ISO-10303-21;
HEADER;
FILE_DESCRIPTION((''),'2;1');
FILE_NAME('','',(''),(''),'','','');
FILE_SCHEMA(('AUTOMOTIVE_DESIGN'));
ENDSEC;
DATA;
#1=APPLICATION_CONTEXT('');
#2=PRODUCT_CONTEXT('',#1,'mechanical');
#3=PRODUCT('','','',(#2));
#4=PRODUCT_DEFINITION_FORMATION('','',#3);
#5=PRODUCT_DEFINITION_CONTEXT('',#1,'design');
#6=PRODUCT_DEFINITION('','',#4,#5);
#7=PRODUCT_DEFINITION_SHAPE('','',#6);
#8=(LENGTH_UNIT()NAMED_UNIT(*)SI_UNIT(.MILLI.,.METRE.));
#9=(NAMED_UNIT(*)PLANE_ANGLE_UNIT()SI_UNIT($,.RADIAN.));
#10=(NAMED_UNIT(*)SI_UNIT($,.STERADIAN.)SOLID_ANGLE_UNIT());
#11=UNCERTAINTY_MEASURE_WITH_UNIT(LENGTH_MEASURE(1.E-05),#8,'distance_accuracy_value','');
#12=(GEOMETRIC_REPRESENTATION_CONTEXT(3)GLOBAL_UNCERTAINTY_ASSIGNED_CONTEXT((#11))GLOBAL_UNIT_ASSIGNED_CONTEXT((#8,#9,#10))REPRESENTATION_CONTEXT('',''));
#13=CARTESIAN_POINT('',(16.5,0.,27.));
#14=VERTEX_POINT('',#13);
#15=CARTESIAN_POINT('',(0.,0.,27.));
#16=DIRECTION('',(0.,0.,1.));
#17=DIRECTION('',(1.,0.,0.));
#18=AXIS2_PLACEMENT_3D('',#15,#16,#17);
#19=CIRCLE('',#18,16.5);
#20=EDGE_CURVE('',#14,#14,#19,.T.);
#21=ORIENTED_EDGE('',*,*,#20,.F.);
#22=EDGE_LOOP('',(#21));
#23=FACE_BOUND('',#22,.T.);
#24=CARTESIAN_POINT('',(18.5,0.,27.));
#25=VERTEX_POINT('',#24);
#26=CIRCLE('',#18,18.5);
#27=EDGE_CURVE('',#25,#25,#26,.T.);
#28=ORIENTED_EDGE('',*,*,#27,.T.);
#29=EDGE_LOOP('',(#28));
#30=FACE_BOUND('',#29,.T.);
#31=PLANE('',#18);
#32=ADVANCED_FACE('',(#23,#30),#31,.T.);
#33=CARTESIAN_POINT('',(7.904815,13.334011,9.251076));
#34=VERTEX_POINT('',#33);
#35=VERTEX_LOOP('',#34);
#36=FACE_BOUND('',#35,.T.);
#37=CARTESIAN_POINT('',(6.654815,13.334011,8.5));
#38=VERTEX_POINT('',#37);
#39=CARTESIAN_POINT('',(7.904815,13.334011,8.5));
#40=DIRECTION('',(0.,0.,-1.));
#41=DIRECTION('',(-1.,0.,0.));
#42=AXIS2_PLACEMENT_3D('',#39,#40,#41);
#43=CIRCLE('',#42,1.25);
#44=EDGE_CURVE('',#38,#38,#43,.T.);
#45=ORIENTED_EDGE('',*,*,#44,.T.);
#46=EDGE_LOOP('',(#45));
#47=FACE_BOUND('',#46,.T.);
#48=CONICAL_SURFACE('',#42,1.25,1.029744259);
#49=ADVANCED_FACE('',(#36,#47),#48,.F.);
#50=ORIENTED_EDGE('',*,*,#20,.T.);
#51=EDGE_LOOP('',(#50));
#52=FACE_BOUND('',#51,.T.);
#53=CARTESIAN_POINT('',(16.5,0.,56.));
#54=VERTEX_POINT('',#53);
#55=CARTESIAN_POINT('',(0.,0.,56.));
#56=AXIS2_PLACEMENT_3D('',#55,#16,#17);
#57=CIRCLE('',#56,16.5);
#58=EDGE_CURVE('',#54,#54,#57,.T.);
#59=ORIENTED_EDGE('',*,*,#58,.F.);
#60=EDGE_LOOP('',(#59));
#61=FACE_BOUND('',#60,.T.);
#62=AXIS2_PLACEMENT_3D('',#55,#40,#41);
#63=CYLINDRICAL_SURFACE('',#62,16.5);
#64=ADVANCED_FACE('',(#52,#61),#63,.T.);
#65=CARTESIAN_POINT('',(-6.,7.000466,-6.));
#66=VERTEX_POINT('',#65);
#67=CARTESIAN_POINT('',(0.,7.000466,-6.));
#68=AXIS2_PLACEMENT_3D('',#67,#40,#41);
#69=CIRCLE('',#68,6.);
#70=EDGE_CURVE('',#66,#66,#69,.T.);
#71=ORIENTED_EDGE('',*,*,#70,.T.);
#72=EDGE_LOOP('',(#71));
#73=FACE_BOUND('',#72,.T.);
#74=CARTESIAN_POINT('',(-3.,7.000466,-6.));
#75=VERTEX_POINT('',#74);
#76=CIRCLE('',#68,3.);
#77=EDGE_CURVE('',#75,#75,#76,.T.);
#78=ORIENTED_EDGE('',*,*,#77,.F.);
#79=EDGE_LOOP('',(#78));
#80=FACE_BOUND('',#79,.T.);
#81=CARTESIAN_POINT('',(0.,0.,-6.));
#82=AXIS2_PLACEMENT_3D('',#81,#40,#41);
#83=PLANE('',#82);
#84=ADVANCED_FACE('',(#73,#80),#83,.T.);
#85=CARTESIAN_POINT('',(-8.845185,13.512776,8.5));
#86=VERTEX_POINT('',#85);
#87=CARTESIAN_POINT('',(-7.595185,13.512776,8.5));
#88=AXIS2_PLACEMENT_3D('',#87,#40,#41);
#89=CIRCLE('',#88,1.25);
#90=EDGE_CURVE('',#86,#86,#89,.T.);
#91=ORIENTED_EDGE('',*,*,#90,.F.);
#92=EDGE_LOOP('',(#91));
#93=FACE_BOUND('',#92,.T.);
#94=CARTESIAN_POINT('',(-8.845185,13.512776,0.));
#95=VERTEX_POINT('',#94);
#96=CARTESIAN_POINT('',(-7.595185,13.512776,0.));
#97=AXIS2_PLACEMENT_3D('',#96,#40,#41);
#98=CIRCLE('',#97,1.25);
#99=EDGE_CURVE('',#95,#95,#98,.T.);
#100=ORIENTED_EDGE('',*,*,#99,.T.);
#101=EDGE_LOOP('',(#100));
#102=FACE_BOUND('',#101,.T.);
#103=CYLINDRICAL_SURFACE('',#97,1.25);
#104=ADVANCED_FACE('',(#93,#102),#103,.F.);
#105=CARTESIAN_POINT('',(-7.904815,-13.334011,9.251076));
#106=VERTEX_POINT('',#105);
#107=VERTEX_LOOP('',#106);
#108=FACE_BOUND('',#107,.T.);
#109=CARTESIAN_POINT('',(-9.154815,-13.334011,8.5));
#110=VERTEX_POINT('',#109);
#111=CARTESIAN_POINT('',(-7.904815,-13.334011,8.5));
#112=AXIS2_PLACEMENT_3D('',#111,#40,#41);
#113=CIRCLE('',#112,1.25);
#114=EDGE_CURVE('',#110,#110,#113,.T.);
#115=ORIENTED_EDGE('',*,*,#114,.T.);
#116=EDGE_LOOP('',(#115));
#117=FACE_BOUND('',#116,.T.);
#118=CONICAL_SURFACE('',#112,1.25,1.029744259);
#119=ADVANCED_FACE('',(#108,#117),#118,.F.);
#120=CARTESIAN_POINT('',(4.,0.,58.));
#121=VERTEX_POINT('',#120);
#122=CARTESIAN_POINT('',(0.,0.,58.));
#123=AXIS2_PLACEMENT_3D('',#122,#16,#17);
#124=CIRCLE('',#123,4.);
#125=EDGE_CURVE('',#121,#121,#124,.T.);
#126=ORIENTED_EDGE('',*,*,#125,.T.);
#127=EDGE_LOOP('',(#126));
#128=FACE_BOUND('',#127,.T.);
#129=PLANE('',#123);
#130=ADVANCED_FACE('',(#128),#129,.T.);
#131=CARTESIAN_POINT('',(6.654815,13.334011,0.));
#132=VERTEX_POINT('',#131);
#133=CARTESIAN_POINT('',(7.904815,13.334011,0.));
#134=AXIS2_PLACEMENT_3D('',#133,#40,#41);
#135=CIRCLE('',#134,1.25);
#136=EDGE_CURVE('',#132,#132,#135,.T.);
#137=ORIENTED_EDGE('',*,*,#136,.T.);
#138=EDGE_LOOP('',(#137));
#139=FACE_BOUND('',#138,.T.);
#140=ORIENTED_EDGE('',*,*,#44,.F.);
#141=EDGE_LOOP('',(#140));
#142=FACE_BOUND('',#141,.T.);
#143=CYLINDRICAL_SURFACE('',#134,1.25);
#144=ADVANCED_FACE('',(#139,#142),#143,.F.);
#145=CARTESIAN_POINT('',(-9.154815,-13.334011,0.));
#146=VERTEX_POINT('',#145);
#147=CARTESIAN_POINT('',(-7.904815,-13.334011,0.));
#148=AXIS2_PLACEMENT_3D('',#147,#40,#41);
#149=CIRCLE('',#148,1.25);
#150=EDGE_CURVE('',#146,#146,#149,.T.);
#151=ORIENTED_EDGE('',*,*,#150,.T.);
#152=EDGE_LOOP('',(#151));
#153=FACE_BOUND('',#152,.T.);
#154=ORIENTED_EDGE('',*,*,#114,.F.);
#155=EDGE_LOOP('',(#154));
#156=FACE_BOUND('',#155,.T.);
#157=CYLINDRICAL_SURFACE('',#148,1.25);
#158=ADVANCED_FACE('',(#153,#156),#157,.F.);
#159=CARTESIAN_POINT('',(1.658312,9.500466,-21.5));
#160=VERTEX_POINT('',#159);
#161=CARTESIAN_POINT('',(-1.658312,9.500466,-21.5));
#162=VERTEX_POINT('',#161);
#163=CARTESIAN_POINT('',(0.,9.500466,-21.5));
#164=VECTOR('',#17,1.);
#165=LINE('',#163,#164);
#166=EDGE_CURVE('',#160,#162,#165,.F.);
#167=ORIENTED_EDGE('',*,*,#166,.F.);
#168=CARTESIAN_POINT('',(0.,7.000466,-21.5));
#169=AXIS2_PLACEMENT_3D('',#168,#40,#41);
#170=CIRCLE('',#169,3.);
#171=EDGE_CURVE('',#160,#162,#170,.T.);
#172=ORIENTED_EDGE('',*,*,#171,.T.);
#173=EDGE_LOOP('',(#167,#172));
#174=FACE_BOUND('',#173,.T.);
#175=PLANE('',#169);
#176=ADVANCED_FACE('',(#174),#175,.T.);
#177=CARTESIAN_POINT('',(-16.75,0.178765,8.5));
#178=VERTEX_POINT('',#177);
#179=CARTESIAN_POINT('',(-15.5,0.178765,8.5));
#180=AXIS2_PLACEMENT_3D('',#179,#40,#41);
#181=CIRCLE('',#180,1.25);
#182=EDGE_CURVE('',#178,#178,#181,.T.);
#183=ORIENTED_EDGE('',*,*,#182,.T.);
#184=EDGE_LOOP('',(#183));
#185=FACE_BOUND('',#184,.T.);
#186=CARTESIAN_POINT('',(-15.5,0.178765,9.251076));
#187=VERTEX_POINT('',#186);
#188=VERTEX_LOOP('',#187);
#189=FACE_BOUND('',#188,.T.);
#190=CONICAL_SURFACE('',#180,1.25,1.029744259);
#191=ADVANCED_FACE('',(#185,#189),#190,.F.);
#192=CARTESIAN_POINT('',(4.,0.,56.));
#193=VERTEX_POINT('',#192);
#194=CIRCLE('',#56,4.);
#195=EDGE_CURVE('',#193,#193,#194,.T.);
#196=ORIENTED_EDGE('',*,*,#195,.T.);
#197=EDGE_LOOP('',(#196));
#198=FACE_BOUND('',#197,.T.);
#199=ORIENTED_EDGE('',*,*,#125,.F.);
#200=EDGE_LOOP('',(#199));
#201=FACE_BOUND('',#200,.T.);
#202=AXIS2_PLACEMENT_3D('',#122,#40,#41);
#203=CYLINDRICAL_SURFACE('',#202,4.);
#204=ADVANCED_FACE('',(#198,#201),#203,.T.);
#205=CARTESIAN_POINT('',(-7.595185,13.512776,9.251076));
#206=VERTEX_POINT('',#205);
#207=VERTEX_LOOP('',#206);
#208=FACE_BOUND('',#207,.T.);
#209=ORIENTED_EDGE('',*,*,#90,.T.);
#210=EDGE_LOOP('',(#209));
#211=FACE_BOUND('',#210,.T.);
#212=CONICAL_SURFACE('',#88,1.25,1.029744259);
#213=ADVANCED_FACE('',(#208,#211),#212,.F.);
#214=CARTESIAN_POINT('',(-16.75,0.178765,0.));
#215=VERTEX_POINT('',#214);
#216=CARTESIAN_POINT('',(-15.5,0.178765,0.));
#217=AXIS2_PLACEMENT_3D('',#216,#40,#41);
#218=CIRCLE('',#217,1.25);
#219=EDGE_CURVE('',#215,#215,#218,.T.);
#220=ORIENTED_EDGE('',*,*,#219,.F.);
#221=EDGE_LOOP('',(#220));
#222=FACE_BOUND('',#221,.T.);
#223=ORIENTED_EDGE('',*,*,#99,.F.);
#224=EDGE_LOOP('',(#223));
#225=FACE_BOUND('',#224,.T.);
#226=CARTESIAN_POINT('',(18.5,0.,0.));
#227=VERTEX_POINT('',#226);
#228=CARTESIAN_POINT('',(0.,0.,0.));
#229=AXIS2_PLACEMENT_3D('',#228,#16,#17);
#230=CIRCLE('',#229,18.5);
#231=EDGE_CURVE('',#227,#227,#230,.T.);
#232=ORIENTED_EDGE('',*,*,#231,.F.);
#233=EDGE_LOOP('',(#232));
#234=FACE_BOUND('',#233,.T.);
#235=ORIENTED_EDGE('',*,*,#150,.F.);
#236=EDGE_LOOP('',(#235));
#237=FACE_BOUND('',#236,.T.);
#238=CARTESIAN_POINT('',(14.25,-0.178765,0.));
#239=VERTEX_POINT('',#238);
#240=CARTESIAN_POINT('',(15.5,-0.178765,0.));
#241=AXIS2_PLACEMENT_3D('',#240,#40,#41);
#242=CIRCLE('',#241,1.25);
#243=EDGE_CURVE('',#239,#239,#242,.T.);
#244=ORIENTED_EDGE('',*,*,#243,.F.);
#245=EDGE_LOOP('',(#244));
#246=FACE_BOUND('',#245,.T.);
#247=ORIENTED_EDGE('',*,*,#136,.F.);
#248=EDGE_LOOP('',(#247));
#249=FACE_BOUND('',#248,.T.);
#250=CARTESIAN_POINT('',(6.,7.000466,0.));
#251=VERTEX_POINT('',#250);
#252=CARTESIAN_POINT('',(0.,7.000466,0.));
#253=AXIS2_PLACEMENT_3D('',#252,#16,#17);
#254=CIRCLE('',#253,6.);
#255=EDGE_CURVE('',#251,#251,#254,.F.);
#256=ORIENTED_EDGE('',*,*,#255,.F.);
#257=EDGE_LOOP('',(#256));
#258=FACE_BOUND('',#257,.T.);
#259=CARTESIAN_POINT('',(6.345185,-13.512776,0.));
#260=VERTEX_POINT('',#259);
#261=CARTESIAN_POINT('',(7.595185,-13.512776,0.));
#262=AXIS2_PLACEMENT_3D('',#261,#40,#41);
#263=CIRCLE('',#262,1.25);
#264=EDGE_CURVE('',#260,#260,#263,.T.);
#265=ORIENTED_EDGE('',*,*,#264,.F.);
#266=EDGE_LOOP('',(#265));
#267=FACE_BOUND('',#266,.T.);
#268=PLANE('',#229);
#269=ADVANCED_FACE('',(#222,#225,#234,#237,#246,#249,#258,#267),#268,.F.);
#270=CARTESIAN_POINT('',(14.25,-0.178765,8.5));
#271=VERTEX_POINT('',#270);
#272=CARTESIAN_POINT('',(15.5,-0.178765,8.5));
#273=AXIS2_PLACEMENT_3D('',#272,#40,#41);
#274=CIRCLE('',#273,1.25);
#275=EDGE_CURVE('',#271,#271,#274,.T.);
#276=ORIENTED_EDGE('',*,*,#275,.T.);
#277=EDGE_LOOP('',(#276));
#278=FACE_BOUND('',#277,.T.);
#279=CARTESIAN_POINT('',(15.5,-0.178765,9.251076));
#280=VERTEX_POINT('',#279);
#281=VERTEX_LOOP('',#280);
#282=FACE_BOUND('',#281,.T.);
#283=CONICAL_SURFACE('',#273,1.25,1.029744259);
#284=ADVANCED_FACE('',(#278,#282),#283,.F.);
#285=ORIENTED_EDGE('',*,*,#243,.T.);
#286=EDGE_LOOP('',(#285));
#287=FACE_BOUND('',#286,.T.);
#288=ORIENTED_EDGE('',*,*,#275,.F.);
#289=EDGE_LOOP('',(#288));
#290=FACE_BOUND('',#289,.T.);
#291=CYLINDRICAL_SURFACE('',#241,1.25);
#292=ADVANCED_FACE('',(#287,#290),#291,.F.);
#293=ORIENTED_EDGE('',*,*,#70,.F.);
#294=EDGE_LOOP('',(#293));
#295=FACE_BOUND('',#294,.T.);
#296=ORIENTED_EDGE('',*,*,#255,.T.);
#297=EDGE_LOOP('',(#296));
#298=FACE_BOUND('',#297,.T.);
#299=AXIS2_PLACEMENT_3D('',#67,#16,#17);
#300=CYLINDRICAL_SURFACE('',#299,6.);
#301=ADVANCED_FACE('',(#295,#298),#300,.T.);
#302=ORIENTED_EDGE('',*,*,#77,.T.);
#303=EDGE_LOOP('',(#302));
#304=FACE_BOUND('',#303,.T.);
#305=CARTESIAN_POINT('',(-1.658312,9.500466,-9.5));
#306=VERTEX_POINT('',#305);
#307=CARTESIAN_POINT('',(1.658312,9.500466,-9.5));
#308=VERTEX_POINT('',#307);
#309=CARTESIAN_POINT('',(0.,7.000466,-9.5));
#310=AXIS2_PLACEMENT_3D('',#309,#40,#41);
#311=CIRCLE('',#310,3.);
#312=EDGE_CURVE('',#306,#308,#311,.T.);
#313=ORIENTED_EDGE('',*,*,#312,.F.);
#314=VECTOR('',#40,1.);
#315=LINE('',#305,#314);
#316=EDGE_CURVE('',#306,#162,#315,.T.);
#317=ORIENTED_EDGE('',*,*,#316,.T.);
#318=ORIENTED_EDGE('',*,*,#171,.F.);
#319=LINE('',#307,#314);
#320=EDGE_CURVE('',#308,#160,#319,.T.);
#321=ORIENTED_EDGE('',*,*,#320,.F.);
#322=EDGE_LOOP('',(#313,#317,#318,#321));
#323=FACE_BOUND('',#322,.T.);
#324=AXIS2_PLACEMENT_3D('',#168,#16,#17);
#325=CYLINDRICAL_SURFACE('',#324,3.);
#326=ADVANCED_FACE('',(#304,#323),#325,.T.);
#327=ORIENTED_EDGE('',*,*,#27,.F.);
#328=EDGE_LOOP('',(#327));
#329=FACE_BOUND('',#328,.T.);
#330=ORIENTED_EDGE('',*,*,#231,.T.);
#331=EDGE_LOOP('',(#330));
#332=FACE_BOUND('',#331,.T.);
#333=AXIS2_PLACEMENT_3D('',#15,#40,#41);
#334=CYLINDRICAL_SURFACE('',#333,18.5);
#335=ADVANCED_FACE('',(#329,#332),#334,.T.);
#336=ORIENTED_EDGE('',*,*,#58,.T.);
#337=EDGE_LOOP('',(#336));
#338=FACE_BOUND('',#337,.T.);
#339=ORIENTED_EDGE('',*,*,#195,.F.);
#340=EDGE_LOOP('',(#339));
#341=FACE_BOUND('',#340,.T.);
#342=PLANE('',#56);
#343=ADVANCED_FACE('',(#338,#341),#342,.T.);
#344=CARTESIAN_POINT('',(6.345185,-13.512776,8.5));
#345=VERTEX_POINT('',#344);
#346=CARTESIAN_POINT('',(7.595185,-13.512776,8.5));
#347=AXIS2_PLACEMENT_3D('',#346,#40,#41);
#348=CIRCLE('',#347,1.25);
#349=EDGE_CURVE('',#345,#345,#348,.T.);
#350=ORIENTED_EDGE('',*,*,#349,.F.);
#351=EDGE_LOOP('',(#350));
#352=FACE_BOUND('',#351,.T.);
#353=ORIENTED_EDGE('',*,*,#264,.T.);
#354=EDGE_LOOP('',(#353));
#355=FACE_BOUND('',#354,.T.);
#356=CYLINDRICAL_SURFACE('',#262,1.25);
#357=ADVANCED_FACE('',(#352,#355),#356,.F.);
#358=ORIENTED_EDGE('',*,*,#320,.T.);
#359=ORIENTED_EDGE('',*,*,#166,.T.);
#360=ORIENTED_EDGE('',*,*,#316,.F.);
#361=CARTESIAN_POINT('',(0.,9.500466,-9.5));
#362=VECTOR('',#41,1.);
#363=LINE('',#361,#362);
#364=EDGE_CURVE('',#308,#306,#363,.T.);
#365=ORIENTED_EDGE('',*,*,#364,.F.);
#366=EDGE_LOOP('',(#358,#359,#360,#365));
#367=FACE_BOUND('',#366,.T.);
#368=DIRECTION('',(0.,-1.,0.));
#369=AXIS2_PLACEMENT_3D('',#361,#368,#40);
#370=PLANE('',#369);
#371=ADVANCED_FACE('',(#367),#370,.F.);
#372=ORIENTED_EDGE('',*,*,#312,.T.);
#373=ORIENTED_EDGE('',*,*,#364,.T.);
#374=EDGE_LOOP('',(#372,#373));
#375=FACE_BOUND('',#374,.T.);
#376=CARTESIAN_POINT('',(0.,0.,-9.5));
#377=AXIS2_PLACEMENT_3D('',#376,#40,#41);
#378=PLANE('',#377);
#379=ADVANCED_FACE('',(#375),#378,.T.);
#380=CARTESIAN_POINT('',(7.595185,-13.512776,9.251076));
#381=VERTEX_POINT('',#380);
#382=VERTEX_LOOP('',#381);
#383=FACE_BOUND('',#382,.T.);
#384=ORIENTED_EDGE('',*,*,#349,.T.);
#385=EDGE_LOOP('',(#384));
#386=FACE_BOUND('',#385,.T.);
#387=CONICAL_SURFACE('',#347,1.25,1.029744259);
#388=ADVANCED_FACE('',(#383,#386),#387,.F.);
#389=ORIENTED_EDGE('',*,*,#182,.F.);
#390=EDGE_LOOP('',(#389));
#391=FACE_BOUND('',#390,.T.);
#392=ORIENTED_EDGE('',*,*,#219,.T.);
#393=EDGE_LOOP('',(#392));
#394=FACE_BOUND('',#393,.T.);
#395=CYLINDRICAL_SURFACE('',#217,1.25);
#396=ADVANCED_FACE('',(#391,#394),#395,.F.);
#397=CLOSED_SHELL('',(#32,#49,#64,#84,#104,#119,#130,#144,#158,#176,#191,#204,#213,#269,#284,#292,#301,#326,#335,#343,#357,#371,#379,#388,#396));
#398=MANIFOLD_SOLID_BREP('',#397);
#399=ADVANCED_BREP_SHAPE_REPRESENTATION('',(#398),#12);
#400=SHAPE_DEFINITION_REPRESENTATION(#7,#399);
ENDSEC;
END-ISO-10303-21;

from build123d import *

# Parameters (mm, degrees)
SKETCH1_R               = 18.5
BOSS_EXTRUDE1_DEPTH     = 27
SKETCH2_R               = 16.5
BOSS_EXTRUDE2_DEPTH     = 29
SKETCH3_R               = 4
BOSS_EXTRUDE3_DEPTH     = 2
M3_TAPPED_HOLE1_D       = 2.5
M3_TAPPED_HOLE1_DEPTH   = 8.5
M3_TAPPED_HOLE1_TIP     = 0.751075774
SKETCH4_R               = 6
BOSS_EXTRUDE4_DEPTH     = 6
SKETCH7_R               = 3
BOSS_EXTRUDE5_DEPTH     = 15.5
CUT_EXTRUDE1_DEPTH      = 1
CUT_EXTRUDE1_DEPTH_BACK = 12


with BuildPart() as part:
    # Sketch1 → Boss-Extrude1 (new body)
    with BuildSketch(Plane.XY):
        Circle(SKETCH1_R)
    extrude(amount=BOSS_EXTRUDE1_DEPTH)

    # Sketch2 → Boss-Extrude2 (add)
    with BuildSketch(Plane.XY.offset(27)):
        Circle(SKETCH2_R)
    extrude(amount=BOSS_EXTRUDE2_DEPTH)

    # Sketch3 → Boss-Extrude3 (add)
    with BuildSketch(Plane.XY.offset(56)):
        Circle(SKETCH3_R)
    extrude(amount=BOSS_EXTRUDE3_DEPTH)

    # M3 Tapped Hole1
    with Locations(Plane(origin=(15.5, -0.178765265, 0), x_dir=(-1, 0, 0), z_dir=(0, 0, -1))):
        with Locations((0, 0), (7.59518474, 13.512776391), (23.09518474, 13.691541656), (31, 0.35753053), (23.40481526, -13.155245861), (7.90481526, -13.334011126)):
            Hole(M3_TAPPED_HOLE1_D / 2, depth=M3_TAPPED_HOLE1_DEPTH)
            with Locations((0, 0, -(M3_TAPPED_HOLE1_DEPTH + M3_TAPPED_HOLE1_TIP / 2))):  # 118° drill point
                Cone(0, M3_TAPPED_HOLE1_D / 2, M3_TAPPED_HOLE1_TIP, mode=Mode.SUBTRACT)

    # Sketch4 → Boss-Extrude4 (add)
    with BuildSketch(Plane(origin=(0, 0, 0), x_dir=(-1, 0, 0), z_dir=(0, 0, -1))):
        with Locations((0, 7.000465539)):
            Circle(SKETCH4_R)
    extrude(amount=BOSS_EXTRUDE4_DEPTH)

    # Sketch7 → Boss-Extrude5 (add)
    with BuildSketch(Plane(origin=(0, 0, -6), x_dir=(-1, 0, 0), z_dir=(0, 0, -1))):
        with Locations((0, 7.000465539)):
            Circle(SKETCH7_R)
    extrude(amount=BOSS_EXTRUDE5_DEPTH)

    # Sketch8 → Cut-Extrude1 (cut, two sides)
    with BuildSketch(Plane(origin=(0, 0, -21.5), x_dir=(-1, 0, 0), z_dir=(0, 0, -1))) as cut_extrude1_sk:
        Polygon((-80.662185592, 9.500465539), (-1.658312395, 9.500465539), (1.658312395, 9.500465539), (80.662185592, 9.500465539), (80.662185592, 167.508211933), (-80.662185592, 167.508211933), align=None)
    extrude(amount=CUT_EXTRUDE1_DEPTH, mode=Mode.SUBTRACT)
    extrude(cut_extrude1_sk.sketch, amount=-CUT_EXTRUDE1_DEPTH_BACK, mode=Mode.SUBTRACT)


solid = part.part
